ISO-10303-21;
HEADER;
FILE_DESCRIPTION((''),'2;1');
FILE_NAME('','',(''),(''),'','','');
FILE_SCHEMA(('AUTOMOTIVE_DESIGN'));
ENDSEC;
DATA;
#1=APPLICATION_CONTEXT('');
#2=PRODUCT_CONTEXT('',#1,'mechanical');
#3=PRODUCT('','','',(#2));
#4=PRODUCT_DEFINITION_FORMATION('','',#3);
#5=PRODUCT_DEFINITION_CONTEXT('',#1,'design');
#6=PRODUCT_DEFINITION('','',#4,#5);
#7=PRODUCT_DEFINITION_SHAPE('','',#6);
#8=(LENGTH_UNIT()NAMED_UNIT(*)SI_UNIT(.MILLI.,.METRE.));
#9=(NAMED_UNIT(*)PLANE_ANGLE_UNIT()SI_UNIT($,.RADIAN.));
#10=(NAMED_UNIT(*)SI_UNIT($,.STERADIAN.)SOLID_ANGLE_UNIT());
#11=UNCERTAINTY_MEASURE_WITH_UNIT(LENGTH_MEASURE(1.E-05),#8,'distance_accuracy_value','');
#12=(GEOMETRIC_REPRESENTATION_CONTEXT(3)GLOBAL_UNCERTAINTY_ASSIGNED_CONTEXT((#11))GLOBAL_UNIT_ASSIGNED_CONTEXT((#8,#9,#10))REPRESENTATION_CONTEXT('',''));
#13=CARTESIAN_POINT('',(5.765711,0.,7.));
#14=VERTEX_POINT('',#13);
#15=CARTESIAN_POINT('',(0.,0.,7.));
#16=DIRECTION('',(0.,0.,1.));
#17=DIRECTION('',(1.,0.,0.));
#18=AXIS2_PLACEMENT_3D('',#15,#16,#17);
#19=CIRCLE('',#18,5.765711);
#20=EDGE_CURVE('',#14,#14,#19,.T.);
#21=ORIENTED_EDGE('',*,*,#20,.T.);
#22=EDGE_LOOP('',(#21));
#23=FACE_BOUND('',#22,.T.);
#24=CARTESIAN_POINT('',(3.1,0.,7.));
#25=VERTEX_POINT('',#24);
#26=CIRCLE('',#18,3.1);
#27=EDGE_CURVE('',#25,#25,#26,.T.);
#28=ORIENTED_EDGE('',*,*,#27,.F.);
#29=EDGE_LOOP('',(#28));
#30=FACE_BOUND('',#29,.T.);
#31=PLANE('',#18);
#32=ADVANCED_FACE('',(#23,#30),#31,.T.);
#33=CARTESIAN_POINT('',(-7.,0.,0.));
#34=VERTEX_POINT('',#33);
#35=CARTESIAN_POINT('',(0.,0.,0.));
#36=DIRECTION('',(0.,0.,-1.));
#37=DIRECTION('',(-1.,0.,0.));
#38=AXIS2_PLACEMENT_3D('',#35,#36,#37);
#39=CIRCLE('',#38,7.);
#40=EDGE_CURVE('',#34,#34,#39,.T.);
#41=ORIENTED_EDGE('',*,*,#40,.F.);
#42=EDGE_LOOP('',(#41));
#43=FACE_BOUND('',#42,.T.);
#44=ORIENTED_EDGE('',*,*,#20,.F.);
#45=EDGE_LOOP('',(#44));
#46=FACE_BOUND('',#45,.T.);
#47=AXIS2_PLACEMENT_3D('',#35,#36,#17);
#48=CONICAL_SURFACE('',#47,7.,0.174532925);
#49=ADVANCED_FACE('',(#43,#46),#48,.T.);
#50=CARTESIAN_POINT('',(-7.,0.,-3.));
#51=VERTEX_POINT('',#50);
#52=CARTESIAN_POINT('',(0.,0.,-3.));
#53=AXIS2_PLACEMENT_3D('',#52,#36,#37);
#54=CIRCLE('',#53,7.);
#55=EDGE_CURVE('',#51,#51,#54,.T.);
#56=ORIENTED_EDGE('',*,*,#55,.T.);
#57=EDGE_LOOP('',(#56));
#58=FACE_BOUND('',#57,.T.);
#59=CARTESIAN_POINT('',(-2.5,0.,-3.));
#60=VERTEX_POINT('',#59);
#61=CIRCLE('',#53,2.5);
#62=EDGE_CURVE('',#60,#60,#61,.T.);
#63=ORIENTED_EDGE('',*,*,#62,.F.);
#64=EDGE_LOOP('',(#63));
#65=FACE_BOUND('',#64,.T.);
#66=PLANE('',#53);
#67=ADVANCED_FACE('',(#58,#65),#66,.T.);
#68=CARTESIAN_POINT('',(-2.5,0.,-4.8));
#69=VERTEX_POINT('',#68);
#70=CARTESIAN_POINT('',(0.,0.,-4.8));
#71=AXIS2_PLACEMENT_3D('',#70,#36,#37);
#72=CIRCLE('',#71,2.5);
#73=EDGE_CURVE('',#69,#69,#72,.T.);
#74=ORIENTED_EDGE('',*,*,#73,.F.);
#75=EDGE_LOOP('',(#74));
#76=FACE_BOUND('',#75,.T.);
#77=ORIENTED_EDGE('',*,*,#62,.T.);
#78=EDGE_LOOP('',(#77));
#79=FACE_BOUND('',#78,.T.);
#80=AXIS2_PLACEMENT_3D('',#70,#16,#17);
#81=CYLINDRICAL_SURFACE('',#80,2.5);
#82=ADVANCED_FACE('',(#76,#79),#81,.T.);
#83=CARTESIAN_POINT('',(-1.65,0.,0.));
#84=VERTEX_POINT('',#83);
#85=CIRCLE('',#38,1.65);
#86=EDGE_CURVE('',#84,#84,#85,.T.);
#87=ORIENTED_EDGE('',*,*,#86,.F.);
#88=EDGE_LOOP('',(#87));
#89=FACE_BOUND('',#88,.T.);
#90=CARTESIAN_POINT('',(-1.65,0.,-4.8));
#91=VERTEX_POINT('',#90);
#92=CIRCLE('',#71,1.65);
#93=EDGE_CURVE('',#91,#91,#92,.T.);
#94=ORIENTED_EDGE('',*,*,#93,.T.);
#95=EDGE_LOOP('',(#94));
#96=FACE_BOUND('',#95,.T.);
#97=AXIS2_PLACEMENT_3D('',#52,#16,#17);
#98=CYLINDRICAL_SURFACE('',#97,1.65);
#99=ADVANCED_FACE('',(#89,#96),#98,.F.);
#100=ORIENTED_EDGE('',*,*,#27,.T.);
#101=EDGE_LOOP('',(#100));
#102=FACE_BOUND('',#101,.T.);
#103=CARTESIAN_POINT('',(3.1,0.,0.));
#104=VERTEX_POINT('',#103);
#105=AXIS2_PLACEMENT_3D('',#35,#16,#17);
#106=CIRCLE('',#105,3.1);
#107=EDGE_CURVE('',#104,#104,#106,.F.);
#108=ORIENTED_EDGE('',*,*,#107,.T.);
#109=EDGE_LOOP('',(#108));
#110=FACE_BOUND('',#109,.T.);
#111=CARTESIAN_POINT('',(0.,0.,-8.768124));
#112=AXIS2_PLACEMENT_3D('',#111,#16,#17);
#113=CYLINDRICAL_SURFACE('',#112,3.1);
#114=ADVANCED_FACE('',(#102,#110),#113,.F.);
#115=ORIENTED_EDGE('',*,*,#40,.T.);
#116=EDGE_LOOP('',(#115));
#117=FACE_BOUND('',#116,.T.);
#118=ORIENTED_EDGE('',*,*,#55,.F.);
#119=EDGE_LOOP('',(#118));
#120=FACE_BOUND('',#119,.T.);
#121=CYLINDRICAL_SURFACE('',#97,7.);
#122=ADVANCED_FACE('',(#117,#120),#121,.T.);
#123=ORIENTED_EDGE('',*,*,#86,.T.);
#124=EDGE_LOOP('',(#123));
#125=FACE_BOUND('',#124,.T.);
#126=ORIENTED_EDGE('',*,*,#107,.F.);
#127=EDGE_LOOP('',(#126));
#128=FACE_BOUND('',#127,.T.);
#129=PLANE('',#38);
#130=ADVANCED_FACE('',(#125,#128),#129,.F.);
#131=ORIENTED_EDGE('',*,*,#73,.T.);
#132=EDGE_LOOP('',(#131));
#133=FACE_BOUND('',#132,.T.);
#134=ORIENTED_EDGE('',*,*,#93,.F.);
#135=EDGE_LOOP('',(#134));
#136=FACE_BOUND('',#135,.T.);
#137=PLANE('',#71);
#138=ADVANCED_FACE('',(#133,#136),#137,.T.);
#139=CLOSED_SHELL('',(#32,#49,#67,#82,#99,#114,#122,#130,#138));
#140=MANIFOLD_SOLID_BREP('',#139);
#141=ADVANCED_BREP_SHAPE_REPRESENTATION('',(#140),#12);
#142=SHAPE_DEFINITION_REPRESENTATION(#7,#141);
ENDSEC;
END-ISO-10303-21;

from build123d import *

# Parameters (mm, degrees)
SKETCH1_R           = 7
BOSS_EXTRUDE1_DEPTH = 7
BOSS_EXTRUDE1_TAPER = 10
SKETCH2_R           = 3.1
CUT_EXTRUDE1_DEPTH  = 7
SKETCH3_R           = 7
SKETCH3_R_2         = 1.65
BOSS_EXTRUDE2_DEPTH = 3
SKETCH4_R           = 2.5
SKETCH4_R_2         = 1.65
BOSS_EXTRUDE3_DEPTH = 1.8


with BuildPart() as part:
    # Sketch1 → Boss-Extrude1 (new body)
    with BuildSketch(Plane.XY):
        Circle(SKETCH1_R)
    extrude(amount=BOSS_EXTRUDE1_DEPTH, taper=BOSS_EXTRUDE1_TAPER)

    # Sketch2 → Cut-Extrude1 (cut)
    with BuildSketch(Plane.XY.offset(7)):
        Circle(SKETCH2_R)
    extrude(amount=-CUT_EXTRUDE1_DEPTH, mode=Mode.SUBTRACT)

    # Sketch3 → Boss-Extrude2 (add)
    with BuildSketch(Plane(origin=(0, 0, 0), x_dir=(-1, 0, 0), z_dir=(0, 0, -1))):
        Circle(SKETCH3_R)
        Circle(SKETCH3_R_2, mode=Mode.SUBTRACT)
    extrude(amount=BOSS_EXTRUDE2_DEPTH)

    # Sketch4 → Boss-Extrude3 (add)
    with BuildSketch(Plane(origin=(0, 0, -3), x_dir=(-1, 0, 0), z_dir=(0, 0, -1))):
        Circle(SKETCH4_R)
        Circle(SKETCH4_R_2, mode=Mode.SUBTRACT)
    extrude(amount=BOSS_EXTRUDE3_DEPTH)


solid = part.part
